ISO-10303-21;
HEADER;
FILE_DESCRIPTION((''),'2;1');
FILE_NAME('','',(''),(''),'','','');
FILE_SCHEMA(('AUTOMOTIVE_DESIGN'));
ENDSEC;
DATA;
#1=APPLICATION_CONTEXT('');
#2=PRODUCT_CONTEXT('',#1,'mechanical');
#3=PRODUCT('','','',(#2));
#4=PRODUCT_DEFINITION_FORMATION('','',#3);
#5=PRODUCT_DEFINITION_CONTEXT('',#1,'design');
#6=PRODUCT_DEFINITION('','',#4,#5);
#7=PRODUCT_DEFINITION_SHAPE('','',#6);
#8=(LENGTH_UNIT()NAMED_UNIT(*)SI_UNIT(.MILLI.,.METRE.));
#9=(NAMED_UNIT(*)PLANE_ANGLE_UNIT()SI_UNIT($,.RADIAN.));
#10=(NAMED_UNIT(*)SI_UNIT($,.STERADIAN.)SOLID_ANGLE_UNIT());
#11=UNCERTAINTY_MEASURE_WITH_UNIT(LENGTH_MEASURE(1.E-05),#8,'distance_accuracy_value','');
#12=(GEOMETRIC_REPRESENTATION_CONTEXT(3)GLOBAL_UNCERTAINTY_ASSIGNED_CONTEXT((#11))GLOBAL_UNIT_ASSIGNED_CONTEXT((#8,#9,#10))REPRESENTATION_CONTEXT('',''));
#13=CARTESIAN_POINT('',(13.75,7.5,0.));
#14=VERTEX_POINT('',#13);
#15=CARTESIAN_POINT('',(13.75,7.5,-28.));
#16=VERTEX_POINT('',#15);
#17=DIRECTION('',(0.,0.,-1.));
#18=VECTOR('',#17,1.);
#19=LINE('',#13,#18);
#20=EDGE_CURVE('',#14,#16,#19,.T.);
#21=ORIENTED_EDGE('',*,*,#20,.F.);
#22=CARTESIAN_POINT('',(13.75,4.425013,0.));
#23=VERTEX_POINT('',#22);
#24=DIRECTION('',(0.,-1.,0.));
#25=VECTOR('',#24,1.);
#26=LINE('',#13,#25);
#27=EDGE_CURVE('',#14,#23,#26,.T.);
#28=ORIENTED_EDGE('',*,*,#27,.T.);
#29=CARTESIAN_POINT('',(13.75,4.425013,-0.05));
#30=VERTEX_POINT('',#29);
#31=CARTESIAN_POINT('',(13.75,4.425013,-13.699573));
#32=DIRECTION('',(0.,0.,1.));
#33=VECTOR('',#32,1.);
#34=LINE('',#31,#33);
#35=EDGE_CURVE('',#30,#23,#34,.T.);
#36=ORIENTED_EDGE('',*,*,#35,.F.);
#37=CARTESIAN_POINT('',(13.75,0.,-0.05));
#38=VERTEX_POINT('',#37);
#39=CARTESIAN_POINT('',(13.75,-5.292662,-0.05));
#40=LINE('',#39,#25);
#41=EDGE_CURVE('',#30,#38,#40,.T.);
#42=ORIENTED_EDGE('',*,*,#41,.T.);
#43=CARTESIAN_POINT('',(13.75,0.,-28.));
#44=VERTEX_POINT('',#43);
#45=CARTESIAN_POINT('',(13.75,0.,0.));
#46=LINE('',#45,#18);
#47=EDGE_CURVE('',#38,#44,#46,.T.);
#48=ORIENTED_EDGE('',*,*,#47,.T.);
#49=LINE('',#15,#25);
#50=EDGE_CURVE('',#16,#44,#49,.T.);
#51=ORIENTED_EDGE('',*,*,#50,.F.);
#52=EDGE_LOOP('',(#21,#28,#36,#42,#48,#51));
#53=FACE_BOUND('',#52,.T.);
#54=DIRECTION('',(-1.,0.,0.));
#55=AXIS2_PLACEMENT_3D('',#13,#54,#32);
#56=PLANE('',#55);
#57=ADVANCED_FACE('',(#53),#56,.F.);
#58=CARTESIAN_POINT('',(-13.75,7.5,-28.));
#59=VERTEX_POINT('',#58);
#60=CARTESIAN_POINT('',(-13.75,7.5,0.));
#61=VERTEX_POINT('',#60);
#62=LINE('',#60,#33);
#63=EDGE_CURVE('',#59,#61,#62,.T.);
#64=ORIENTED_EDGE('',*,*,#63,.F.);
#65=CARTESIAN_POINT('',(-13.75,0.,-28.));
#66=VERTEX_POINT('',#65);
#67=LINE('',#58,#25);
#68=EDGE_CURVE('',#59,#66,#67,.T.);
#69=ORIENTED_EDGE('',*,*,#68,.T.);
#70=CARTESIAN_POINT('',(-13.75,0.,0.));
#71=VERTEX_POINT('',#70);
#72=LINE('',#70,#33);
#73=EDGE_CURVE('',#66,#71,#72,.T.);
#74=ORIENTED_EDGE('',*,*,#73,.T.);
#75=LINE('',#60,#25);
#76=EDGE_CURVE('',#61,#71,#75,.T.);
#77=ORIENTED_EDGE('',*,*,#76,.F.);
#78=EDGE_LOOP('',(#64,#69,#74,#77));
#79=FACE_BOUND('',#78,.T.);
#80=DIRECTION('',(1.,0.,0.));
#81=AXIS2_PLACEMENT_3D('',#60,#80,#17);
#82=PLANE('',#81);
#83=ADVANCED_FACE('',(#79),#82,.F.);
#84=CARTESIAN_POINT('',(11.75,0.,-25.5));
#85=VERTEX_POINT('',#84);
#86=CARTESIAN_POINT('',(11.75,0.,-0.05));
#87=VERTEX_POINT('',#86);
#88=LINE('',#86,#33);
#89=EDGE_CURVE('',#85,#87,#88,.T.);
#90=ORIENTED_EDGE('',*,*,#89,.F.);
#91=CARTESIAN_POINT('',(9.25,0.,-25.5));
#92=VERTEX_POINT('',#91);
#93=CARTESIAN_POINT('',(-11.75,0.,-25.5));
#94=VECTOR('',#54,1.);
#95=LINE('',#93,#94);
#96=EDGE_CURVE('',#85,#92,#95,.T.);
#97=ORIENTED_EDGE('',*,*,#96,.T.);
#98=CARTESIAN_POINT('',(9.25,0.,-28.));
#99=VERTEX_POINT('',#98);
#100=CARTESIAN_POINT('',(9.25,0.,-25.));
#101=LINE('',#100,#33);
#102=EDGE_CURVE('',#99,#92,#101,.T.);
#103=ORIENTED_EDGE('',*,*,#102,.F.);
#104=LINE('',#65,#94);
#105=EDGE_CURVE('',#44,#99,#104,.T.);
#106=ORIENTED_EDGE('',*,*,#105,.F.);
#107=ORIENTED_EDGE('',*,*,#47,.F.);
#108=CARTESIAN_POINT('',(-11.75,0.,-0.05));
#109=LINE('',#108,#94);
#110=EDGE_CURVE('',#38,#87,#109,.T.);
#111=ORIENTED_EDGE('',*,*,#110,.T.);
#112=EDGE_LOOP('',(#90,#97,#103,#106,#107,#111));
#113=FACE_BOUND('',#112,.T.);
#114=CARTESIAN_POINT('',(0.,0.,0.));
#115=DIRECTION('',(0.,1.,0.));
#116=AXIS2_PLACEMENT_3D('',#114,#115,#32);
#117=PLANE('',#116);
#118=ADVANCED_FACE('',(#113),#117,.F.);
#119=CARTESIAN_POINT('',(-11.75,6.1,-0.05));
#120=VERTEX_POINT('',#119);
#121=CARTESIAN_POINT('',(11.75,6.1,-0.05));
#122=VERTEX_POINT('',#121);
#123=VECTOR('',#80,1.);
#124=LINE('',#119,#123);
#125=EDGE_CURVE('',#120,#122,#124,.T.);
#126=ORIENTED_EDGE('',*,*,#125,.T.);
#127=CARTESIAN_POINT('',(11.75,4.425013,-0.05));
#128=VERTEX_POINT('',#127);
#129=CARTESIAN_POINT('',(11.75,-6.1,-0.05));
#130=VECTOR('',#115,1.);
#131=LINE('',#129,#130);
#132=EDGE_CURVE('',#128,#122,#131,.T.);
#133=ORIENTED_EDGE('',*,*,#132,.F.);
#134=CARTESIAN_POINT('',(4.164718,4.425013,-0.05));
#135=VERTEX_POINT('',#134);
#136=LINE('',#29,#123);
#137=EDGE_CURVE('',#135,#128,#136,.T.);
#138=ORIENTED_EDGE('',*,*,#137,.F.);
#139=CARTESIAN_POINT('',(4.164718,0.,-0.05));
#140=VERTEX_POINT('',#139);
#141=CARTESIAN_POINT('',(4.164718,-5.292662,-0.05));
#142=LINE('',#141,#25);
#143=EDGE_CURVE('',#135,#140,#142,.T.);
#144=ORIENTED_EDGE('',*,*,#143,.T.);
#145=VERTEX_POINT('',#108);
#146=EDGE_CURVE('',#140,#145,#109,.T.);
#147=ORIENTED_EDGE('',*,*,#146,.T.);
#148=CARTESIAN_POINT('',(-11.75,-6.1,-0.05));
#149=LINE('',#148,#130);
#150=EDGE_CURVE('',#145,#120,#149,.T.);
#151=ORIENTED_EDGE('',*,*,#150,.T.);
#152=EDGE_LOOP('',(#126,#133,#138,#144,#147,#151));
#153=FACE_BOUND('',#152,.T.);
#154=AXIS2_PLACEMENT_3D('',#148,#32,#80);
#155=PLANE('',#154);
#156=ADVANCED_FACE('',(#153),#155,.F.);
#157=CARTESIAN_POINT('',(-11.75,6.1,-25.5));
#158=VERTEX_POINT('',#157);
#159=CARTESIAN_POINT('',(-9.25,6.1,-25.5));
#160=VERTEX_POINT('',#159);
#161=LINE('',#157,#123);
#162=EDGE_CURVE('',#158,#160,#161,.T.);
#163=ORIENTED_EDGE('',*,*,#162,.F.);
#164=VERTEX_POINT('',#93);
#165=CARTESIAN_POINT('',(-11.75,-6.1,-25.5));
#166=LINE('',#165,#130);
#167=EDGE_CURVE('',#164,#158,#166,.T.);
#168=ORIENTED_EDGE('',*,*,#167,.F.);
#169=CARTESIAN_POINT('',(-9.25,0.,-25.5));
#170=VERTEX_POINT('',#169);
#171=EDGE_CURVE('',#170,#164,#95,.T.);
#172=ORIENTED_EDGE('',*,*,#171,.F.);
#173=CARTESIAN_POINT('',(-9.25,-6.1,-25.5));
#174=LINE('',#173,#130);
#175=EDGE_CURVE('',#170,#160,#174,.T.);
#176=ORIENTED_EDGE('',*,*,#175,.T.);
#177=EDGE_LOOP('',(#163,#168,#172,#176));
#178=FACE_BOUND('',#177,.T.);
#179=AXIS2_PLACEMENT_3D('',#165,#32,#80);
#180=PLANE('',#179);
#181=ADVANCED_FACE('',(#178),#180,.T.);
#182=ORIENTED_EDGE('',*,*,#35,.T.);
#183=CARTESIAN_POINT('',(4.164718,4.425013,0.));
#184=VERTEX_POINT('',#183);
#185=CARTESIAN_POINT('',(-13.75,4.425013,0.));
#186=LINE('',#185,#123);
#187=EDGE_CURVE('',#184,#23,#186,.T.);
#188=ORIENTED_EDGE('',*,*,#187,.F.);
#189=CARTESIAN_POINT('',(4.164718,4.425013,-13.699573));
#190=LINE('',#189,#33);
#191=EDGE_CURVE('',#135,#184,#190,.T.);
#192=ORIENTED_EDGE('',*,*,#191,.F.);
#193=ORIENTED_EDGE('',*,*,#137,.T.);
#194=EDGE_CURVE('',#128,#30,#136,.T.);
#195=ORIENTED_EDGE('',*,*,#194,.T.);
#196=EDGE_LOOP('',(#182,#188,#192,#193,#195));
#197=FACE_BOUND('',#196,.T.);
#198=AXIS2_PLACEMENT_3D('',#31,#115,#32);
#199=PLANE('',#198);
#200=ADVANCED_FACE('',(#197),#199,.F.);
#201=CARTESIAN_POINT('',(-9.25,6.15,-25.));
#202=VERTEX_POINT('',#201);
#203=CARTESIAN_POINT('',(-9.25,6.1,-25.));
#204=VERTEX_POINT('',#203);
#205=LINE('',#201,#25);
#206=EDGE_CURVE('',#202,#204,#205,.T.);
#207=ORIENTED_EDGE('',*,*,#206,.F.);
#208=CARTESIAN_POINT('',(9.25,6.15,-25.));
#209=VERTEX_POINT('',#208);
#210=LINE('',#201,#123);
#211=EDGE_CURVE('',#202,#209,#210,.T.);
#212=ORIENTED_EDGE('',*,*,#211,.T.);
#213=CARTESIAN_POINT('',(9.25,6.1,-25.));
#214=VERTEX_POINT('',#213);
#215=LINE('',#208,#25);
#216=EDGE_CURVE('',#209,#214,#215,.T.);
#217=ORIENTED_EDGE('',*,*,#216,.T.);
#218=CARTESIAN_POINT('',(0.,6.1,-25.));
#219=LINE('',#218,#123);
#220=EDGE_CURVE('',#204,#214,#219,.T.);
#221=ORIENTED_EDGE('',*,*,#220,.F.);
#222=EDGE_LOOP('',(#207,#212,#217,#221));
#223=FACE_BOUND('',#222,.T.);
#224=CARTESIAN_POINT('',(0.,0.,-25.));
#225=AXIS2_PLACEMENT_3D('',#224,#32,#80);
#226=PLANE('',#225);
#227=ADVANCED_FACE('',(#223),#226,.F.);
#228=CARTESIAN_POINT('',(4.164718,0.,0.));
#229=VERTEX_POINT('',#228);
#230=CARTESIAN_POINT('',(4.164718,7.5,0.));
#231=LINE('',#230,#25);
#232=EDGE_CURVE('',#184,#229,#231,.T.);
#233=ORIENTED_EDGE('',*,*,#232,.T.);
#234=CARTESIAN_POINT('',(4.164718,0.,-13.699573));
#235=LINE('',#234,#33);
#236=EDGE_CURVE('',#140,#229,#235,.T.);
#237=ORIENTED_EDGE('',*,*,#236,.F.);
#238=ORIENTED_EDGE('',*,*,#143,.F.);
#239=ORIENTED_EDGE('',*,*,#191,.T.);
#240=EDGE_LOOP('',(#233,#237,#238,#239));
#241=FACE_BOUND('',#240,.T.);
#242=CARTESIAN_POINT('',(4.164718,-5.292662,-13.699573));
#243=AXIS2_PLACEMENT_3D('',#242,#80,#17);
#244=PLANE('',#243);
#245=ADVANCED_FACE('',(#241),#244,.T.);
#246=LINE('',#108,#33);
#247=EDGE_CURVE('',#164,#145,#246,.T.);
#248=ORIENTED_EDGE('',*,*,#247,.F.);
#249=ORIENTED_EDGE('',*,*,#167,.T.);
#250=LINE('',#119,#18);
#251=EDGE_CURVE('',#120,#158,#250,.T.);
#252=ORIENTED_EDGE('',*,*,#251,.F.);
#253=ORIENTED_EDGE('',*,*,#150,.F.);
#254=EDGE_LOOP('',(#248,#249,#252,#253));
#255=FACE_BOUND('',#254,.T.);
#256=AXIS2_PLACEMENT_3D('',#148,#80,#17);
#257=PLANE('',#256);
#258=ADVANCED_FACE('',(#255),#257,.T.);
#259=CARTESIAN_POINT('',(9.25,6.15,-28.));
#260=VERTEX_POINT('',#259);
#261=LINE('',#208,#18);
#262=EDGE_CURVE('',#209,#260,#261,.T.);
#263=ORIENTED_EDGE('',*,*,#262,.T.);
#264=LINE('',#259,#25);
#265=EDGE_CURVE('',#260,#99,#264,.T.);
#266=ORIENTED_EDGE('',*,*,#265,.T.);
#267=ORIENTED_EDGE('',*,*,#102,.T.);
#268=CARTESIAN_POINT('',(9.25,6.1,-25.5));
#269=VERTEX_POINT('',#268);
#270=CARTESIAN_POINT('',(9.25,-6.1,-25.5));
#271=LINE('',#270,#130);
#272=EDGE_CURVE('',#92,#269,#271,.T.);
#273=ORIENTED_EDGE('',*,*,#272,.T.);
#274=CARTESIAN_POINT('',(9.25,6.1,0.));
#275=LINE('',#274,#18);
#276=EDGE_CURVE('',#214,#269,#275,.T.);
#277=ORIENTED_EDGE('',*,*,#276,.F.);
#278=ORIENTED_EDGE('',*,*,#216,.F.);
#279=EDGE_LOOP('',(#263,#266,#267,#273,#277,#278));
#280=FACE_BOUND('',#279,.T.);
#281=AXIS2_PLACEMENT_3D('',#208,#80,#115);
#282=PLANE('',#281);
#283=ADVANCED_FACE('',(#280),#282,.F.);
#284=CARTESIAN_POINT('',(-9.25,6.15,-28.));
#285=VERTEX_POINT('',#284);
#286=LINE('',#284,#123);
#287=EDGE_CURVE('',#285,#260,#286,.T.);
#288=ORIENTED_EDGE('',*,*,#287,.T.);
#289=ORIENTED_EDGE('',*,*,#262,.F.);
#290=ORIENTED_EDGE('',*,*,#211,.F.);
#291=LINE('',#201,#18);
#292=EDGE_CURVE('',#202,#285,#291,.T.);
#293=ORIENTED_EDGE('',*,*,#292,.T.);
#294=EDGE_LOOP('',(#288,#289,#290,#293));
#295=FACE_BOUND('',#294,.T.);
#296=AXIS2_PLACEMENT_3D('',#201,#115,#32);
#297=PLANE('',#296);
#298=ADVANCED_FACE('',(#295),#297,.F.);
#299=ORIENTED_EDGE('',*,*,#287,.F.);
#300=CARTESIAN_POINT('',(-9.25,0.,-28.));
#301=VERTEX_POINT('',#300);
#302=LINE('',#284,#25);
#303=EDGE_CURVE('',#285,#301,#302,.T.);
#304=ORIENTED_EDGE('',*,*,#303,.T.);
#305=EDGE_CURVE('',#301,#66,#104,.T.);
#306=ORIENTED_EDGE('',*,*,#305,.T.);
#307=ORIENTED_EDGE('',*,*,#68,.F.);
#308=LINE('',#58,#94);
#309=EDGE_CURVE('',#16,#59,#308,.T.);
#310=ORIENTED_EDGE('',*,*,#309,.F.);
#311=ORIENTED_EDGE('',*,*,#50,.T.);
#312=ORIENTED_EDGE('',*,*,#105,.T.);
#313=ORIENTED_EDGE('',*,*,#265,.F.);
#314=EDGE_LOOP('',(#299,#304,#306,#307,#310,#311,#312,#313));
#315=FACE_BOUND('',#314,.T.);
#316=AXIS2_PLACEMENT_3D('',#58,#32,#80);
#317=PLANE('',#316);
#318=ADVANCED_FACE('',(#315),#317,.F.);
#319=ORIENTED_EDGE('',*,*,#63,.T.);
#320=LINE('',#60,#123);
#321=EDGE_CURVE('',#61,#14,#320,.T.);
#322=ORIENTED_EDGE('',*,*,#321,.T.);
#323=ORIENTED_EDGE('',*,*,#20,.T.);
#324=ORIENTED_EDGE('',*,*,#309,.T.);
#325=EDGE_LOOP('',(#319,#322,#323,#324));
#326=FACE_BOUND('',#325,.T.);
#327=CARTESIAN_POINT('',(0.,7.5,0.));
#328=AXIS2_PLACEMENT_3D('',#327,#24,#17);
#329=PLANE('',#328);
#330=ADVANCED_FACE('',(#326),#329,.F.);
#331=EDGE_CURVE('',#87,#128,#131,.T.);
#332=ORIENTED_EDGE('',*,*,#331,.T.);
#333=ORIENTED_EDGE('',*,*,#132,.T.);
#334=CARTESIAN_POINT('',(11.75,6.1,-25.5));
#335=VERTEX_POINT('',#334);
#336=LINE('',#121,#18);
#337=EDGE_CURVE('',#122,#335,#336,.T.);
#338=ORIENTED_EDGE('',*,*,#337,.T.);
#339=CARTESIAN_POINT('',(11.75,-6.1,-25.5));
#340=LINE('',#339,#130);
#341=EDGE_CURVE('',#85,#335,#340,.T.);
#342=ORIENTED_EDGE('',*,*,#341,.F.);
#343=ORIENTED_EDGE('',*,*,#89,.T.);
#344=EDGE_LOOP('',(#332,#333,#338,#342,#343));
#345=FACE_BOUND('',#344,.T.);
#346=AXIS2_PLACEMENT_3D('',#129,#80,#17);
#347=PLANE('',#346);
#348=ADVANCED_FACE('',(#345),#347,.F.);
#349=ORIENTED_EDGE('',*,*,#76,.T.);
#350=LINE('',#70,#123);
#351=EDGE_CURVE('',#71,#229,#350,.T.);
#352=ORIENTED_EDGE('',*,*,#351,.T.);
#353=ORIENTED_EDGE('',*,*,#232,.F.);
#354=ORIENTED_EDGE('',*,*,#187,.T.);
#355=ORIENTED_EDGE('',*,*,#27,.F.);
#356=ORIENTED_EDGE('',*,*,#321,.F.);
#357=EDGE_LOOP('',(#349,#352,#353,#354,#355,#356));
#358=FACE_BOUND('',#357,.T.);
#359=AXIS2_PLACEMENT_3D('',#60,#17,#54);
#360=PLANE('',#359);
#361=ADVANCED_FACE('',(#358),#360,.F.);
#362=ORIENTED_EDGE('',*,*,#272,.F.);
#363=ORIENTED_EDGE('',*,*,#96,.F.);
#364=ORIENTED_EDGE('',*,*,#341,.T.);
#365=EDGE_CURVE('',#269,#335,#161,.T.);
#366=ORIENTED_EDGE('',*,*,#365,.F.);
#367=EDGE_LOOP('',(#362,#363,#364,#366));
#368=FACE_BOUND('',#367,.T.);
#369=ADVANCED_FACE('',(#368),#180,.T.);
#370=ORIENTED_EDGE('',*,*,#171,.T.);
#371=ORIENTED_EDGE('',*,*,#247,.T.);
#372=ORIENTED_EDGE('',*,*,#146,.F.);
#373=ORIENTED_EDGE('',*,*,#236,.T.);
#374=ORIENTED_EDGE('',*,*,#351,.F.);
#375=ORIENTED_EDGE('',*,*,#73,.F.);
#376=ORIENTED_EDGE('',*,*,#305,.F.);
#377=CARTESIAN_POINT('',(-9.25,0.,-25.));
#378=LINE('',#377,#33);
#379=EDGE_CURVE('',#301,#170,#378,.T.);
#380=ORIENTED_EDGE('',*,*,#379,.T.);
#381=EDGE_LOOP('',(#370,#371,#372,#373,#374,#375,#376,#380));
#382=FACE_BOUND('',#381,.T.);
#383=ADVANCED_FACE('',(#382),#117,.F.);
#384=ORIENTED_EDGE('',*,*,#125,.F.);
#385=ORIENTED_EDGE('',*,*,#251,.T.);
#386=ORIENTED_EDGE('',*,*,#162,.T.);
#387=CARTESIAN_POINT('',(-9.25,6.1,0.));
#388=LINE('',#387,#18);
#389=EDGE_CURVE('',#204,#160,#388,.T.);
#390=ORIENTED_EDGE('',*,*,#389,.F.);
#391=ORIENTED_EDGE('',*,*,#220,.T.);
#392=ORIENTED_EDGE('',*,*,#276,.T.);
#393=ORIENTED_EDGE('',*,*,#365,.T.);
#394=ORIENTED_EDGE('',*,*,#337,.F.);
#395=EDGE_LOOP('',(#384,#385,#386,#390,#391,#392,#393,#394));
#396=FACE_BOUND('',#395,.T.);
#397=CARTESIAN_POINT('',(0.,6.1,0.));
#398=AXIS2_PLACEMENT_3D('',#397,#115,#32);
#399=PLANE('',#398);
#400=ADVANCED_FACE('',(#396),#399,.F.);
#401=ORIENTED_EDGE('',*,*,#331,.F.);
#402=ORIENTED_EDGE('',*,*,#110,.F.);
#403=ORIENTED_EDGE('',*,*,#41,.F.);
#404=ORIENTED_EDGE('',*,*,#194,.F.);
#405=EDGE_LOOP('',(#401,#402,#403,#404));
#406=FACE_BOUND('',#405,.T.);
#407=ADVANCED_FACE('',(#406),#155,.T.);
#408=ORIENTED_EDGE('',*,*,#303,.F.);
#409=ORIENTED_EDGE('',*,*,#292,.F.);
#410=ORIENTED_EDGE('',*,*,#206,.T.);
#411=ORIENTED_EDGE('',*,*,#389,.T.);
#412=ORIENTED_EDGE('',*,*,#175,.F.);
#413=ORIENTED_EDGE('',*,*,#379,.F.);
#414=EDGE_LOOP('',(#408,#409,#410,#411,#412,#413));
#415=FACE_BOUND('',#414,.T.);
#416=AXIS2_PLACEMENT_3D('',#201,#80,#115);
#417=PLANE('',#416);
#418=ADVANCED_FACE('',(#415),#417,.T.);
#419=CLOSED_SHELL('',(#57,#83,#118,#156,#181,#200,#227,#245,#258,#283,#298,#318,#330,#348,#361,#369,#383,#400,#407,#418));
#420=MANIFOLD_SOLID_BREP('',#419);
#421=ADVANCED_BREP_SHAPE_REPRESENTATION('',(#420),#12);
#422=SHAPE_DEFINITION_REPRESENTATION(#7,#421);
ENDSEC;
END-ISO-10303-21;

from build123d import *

# Parameters (mm, degrees)
SKETCH9_W           = 27.5
SKETCH9_H           = 28
BOSS_EXTRUDE2_DEPTH = 7.5
SKETCH10_W          = 23.5
SKETCH10_H          = 25.45
CUT_EXTRUDE1_DEPTH  = 6.1
SKETCH12_W          = 18.5
SKETCH12_H          = 12.3
CUT_EXTRUDE2_DEPTH  = 3
SKETCH11_W          = 9.585282086
SKETCH11_H          = 9.717675131
CUT_EXTRUDE3_DEPTH  = 5.05


with BuildPart() as part:
    # Sketch9 → Boss-Extrude2 (new, symmetric)
    with BuildSketch(Plane(origin=(0, 0, 0), x_dir=(1, 0, 0), z_dir=(0, 1, 0))):
        with Locations((0, 14)):
            Rectangle(SKETCH9_W, SKETCH9_H)
    extrude(amount=BOSS_EXTRUDE2_DEPTH, both=True)

    # Sketch10 → Cut-Extrude1 (cut, symmetric)
    with BuildSketch(Plane(origin=(0, 0, 0), x_dir=(1, 0, 0), z_dir=(0, 1, 0))):
        with Locations((0, 12.775)):
            Rectangle(SKETCH10_W, SKETCH10_H)
    extrude(amount=CUT_EXTRUDE1_DEPTH, both=True, mode=Mode.SUBTRACT)

    # Sketch12 → Cut-Extrude2 (cut)
    with BuildSketch(Plane.XY.offset(-28)):
        Rectangle(SKETCH12_W, SKETCH12_H)
    extrude(amount=CUT_EXTRUDE2_DEPTH, mode=Mode.SUBTRACT)

    # Sketch11 → Cut-Extrude3 (cut)
    with BuildSketch(Plane.XY.offset(5)):
        with Locations((8.957358957, -0.433824782)):
            Rectangle(SKETCH11_W, SKETCH11_H)
    extrude(amount=-CUT_EXTRUDE3_DEPTH, mode=Mode.SUBTRACT)


with BuildPart() as body_2:
    # Split1: the piece on the far side of the plane
    add(part.part)
    split(bisect_by=Plane.ZX, keep=Keep.BOTTOM)


with BuildPart() as part_1:
    add(part.part)

    # Split1
    split(bisect_by=Plane.ZX, keep=Keep.TOP)


solid = part_1.part
